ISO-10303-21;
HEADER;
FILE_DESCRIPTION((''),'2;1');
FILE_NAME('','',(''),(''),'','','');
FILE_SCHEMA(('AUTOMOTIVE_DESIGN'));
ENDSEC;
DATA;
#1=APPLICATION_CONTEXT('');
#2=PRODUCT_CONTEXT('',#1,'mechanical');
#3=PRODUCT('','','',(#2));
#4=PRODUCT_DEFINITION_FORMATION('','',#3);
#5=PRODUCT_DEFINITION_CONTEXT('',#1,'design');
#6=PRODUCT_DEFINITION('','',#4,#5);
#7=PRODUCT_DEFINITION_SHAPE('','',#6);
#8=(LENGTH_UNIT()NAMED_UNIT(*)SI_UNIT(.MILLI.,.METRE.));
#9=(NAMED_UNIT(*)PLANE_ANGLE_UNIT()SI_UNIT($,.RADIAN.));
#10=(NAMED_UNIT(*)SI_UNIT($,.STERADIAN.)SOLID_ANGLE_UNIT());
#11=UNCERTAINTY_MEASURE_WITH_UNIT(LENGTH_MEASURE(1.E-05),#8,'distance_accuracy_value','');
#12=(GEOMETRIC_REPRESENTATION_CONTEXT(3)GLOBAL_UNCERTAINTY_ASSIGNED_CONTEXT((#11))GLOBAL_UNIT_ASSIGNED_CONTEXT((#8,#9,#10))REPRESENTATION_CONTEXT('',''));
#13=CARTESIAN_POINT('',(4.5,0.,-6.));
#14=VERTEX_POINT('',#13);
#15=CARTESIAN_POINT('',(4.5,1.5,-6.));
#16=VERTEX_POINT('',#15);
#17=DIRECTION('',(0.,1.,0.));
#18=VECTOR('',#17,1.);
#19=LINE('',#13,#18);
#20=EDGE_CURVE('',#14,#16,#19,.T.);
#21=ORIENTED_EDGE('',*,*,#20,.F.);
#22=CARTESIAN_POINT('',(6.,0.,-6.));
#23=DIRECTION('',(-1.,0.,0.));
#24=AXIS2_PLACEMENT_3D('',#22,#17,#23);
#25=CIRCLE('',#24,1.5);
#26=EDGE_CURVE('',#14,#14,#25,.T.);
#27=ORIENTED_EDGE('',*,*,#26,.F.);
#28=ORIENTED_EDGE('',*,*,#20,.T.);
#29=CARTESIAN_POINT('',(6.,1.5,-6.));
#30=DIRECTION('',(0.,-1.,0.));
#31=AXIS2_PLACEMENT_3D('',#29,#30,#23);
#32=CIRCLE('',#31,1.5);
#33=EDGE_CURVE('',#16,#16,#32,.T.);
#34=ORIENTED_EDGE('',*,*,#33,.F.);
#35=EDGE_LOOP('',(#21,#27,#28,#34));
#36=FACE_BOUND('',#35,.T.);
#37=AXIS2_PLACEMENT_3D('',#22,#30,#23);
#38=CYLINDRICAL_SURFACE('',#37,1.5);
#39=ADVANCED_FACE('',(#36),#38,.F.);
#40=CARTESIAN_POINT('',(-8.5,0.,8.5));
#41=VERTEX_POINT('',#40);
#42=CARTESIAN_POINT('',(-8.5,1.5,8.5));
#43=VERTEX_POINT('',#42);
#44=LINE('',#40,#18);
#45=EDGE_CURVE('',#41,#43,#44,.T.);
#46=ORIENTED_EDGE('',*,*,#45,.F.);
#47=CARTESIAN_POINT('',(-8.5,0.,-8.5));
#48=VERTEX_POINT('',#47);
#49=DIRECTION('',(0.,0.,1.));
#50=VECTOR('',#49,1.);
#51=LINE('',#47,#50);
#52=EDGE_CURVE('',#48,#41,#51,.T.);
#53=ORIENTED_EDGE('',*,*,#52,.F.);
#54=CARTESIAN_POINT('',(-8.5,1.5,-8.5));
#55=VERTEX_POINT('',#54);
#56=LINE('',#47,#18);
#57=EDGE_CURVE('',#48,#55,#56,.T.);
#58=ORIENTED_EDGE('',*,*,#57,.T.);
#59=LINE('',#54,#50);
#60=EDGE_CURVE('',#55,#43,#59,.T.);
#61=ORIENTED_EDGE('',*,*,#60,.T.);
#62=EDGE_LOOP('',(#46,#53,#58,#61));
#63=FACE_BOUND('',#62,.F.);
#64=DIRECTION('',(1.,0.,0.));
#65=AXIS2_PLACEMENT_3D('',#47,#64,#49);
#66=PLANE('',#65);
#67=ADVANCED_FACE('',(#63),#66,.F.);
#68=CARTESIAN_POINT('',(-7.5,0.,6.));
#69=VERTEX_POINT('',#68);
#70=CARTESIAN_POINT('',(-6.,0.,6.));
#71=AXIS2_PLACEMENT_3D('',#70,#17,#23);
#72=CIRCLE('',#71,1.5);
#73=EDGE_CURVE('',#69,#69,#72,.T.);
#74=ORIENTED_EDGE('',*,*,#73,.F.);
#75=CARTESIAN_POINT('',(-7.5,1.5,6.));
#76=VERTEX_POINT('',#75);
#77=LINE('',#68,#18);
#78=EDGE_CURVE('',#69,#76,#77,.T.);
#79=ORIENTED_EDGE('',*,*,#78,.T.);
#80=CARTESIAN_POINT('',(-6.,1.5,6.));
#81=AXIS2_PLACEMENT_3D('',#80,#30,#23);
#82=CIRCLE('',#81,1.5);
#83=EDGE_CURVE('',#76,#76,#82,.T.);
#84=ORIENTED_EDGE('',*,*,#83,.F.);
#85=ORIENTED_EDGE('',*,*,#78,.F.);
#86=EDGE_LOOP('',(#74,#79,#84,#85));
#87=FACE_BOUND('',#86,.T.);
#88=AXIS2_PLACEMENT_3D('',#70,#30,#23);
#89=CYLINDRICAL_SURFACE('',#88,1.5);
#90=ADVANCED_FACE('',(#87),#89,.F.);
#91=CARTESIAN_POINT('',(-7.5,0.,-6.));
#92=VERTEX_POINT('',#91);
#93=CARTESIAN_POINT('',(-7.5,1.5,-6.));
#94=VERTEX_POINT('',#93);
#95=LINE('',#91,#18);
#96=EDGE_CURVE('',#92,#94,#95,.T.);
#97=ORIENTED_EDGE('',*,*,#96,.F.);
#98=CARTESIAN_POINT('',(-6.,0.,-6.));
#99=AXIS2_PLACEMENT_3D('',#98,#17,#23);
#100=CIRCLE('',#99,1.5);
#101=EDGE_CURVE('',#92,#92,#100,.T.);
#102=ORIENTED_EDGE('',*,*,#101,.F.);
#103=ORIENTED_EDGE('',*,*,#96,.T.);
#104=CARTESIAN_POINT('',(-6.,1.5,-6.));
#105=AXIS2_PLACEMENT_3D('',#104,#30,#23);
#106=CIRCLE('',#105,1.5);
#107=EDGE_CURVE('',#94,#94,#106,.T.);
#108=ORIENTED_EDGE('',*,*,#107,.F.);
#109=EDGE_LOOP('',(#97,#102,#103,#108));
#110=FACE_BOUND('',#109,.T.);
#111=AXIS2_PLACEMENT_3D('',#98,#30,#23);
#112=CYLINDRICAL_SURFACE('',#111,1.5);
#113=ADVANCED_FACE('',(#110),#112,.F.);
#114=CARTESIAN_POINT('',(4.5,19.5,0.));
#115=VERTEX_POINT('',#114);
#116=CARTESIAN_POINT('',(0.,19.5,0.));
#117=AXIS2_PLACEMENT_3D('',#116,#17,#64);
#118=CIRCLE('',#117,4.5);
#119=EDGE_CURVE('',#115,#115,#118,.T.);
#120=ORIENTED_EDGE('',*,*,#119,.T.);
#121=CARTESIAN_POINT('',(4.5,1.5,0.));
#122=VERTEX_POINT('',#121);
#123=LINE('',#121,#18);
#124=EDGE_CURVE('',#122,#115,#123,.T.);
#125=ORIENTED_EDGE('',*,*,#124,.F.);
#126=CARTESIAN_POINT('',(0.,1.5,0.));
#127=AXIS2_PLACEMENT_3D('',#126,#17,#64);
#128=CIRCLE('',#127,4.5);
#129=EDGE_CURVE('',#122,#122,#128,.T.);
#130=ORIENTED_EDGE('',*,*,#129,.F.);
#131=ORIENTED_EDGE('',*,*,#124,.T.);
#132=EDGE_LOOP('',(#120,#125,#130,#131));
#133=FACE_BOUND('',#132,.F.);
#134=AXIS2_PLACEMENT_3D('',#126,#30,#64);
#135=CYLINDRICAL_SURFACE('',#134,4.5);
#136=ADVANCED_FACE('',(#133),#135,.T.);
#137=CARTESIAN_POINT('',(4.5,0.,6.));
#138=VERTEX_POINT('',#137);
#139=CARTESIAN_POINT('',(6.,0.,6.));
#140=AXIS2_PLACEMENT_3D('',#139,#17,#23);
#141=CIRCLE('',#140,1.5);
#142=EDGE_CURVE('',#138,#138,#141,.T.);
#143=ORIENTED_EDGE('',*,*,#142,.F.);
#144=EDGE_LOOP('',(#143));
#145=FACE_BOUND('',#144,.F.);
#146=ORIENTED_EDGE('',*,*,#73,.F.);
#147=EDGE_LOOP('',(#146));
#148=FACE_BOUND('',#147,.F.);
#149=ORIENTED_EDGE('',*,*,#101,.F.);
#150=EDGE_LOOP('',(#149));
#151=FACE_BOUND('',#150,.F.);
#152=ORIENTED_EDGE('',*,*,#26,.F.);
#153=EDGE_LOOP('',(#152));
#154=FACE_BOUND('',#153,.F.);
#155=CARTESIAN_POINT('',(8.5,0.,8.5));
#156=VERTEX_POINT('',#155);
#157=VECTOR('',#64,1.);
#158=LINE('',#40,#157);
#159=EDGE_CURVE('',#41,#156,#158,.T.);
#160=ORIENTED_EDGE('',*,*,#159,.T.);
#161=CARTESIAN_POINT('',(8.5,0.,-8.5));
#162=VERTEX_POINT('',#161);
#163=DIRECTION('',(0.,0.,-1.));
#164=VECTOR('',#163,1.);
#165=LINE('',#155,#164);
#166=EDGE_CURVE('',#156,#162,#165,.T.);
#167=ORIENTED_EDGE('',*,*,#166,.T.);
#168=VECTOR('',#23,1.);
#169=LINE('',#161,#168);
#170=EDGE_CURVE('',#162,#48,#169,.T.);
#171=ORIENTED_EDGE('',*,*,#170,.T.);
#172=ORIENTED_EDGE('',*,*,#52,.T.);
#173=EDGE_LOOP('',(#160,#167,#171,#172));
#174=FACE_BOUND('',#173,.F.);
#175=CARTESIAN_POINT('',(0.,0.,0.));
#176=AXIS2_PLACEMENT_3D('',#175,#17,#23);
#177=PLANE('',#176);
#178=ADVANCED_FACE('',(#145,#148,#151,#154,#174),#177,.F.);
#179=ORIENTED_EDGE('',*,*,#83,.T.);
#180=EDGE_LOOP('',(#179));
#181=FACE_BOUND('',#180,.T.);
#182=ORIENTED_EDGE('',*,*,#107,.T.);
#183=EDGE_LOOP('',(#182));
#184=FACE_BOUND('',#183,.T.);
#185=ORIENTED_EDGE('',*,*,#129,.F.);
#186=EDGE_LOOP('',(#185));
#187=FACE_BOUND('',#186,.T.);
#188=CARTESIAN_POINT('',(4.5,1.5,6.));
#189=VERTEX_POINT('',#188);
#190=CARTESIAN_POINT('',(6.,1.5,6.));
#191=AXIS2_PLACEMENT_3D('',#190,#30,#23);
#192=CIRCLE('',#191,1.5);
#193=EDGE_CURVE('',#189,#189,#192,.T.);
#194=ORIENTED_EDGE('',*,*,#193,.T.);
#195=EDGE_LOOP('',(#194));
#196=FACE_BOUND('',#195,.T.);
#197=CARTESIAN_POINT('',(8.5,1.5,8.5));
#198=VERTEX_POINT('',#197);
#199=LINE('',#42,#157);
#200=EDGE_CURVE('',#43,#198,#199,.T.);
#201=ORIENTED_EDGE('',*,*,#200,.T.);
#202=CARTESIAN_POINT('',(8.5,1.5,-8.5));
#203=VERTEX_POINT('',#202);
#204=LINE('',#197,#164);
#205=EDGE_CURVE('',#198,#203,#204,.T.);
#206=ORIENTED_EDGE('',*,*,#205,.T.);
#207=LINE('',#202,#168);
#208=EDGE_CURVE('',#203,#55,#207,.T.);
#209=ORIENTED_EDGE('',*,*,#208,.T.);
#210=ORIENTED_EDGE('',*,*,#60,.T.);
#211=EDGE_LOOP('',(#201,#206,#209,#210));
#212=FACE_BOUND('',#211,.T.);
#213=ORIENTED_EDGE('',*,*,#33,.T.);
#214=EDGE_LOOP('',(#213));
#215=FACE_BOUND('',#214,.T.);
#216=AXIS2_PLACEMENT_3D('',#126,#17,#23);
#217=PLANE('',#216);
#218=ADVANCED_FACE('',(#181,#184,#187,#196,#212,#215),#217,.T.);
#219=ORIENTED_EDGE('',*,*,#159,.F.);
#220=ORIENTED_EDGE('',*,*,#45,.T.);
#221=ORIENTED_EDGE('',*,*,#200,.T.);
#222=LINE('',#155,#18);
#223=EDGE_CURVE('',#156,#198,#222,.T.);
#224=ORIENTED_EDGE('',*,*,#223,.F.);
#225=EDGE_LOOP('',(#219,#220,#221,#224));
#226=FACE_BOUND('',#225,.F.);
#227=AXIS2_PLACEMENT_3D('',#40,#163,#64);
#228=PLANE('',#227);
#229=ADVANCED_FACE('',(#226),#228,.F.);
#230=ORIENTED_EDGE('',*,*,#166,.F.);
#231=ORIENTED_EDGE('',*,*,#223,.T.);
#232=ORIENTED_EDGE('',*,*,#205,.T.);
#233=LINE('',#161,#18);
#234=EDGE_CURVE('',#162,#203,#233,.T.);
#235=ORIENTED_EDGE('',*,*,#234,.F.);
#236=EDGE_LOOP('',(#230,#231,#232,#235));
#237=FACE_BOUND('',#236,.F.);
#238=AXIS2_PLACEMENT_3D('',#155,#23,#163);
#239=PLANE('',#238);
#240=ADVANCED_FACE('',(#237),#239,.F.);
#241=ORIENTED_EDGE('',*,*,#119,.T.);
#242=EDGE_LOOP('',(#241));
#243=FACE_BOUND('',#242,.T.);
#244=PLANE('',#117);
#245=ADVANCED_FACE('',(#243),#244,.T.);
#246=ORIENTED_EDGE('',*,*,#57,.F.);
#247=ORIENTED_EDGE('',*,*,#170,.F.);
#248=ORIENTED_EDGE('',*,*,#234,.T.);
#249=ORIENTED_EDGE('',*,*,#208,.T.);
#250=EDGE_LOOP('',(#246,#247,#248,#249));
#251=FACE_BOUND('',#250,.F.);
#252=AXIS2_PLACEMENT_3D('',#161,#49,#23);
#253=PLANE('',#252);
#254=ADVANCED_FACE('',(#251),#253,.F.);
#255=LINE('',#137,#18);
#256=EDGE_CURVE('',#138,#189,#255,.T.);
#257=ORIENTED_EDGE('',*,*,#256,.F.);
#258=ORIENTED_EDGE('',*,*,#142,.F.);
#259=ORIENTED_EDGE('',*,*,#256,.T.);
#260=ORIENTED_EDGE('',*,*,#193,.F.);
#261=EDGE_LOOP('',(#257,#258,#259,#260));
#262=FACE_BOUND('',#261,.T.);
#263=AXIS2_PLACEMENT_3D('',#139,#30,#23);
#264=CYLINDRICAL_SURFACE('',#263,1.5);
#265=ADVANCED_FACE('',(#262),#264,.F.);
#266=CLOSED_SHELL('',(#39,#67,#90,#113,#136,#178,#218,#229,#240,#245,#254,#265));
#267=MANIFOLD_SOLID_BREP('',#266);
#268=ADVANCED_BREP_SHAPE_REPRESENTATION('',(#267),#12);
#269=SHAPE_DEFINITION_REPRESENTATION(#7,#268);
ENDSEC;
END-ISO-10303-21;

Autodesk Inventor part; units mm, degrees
ref_plane "YZ Plane" through (0, 0, 0) normal (1, 0, 0) x (0, 1, 0)
ref_plane "XZ Plane" through (0, 0, 0) normal (0, 1, 0) x (-1, 0, 0)
sketch "Sketch1" plane through (0, 0, 0) normal (0, 1, 0) x (-1, 0, 0)
  line L0 (8.5, 8.5) -> (-8.5, 8.5)
  line L1 (-8.5, 8.5) -> (-8.5, -8.5)
  line L2 (-8.5, -8.5) -> (8.5, -8.5)
  line L3 (8.5, -8.5) -> (8.5, 8.5)
  line L4 (8.5, 8.5) -> (-8.5, -8.5) construction
  line L5 (-8.5, 8.5) -> (8.5, -8.5) construction
  line L6 (6, 6) -> (-6, 6)
  line L7 (-6, 6) -> (-6, -6)
  line L8 (-6, -6) -> (6, -6)
  line L9 (6, -6) -> (6, 6)
  line L10 (6, 6) -> (-6, -6) construction
  line L11 (-6, 6) -> (6, -6) construction
  circle A0 centre (6, 6) radius 1.5
  line L12 (6, 0) -> (4.5, 0)
  line L13 (0, 6) -> (0, 3.3641)
  circle A1 centre (6, -6) radius 1.5
  circle A2 centre (-6, 6) radius 1.5
  circle A3 centre (-6, -6) radius 1.5
  circle A4 centre (0, 0) radius 4.5
  dimension "d0" = 17
  dimension "d1" = 17
  dimension "d2" = 12
  dimension "d3" = 12
  dimension "d4" = 3
  dimension "d5" = 9
extrude "Extrusion1" add sketch "Sketch1" along normal blind 1.5 contours L3 L2 L1 L0 | L13 A4 L12 L9 A1 L8 A3 L7 A2 L6 | L6 A0 L9 L12 A4 L13 | A4
ref_plane "Work Plane1" through (0, 1.5, 0) normal (0, 1, 0) x (1, 0, 0)
sketch "Sketch2" plane through (0, 1.5, 0) normal (0, 1, 0) x (1, 0, 0)
  circle A0 centre (0, 0) radius 4.5
  dimension "d9" = 9
extrude "Extrusion2" add sketch "Sketch2" along normal blind 18
properties part number "BNC connector"
